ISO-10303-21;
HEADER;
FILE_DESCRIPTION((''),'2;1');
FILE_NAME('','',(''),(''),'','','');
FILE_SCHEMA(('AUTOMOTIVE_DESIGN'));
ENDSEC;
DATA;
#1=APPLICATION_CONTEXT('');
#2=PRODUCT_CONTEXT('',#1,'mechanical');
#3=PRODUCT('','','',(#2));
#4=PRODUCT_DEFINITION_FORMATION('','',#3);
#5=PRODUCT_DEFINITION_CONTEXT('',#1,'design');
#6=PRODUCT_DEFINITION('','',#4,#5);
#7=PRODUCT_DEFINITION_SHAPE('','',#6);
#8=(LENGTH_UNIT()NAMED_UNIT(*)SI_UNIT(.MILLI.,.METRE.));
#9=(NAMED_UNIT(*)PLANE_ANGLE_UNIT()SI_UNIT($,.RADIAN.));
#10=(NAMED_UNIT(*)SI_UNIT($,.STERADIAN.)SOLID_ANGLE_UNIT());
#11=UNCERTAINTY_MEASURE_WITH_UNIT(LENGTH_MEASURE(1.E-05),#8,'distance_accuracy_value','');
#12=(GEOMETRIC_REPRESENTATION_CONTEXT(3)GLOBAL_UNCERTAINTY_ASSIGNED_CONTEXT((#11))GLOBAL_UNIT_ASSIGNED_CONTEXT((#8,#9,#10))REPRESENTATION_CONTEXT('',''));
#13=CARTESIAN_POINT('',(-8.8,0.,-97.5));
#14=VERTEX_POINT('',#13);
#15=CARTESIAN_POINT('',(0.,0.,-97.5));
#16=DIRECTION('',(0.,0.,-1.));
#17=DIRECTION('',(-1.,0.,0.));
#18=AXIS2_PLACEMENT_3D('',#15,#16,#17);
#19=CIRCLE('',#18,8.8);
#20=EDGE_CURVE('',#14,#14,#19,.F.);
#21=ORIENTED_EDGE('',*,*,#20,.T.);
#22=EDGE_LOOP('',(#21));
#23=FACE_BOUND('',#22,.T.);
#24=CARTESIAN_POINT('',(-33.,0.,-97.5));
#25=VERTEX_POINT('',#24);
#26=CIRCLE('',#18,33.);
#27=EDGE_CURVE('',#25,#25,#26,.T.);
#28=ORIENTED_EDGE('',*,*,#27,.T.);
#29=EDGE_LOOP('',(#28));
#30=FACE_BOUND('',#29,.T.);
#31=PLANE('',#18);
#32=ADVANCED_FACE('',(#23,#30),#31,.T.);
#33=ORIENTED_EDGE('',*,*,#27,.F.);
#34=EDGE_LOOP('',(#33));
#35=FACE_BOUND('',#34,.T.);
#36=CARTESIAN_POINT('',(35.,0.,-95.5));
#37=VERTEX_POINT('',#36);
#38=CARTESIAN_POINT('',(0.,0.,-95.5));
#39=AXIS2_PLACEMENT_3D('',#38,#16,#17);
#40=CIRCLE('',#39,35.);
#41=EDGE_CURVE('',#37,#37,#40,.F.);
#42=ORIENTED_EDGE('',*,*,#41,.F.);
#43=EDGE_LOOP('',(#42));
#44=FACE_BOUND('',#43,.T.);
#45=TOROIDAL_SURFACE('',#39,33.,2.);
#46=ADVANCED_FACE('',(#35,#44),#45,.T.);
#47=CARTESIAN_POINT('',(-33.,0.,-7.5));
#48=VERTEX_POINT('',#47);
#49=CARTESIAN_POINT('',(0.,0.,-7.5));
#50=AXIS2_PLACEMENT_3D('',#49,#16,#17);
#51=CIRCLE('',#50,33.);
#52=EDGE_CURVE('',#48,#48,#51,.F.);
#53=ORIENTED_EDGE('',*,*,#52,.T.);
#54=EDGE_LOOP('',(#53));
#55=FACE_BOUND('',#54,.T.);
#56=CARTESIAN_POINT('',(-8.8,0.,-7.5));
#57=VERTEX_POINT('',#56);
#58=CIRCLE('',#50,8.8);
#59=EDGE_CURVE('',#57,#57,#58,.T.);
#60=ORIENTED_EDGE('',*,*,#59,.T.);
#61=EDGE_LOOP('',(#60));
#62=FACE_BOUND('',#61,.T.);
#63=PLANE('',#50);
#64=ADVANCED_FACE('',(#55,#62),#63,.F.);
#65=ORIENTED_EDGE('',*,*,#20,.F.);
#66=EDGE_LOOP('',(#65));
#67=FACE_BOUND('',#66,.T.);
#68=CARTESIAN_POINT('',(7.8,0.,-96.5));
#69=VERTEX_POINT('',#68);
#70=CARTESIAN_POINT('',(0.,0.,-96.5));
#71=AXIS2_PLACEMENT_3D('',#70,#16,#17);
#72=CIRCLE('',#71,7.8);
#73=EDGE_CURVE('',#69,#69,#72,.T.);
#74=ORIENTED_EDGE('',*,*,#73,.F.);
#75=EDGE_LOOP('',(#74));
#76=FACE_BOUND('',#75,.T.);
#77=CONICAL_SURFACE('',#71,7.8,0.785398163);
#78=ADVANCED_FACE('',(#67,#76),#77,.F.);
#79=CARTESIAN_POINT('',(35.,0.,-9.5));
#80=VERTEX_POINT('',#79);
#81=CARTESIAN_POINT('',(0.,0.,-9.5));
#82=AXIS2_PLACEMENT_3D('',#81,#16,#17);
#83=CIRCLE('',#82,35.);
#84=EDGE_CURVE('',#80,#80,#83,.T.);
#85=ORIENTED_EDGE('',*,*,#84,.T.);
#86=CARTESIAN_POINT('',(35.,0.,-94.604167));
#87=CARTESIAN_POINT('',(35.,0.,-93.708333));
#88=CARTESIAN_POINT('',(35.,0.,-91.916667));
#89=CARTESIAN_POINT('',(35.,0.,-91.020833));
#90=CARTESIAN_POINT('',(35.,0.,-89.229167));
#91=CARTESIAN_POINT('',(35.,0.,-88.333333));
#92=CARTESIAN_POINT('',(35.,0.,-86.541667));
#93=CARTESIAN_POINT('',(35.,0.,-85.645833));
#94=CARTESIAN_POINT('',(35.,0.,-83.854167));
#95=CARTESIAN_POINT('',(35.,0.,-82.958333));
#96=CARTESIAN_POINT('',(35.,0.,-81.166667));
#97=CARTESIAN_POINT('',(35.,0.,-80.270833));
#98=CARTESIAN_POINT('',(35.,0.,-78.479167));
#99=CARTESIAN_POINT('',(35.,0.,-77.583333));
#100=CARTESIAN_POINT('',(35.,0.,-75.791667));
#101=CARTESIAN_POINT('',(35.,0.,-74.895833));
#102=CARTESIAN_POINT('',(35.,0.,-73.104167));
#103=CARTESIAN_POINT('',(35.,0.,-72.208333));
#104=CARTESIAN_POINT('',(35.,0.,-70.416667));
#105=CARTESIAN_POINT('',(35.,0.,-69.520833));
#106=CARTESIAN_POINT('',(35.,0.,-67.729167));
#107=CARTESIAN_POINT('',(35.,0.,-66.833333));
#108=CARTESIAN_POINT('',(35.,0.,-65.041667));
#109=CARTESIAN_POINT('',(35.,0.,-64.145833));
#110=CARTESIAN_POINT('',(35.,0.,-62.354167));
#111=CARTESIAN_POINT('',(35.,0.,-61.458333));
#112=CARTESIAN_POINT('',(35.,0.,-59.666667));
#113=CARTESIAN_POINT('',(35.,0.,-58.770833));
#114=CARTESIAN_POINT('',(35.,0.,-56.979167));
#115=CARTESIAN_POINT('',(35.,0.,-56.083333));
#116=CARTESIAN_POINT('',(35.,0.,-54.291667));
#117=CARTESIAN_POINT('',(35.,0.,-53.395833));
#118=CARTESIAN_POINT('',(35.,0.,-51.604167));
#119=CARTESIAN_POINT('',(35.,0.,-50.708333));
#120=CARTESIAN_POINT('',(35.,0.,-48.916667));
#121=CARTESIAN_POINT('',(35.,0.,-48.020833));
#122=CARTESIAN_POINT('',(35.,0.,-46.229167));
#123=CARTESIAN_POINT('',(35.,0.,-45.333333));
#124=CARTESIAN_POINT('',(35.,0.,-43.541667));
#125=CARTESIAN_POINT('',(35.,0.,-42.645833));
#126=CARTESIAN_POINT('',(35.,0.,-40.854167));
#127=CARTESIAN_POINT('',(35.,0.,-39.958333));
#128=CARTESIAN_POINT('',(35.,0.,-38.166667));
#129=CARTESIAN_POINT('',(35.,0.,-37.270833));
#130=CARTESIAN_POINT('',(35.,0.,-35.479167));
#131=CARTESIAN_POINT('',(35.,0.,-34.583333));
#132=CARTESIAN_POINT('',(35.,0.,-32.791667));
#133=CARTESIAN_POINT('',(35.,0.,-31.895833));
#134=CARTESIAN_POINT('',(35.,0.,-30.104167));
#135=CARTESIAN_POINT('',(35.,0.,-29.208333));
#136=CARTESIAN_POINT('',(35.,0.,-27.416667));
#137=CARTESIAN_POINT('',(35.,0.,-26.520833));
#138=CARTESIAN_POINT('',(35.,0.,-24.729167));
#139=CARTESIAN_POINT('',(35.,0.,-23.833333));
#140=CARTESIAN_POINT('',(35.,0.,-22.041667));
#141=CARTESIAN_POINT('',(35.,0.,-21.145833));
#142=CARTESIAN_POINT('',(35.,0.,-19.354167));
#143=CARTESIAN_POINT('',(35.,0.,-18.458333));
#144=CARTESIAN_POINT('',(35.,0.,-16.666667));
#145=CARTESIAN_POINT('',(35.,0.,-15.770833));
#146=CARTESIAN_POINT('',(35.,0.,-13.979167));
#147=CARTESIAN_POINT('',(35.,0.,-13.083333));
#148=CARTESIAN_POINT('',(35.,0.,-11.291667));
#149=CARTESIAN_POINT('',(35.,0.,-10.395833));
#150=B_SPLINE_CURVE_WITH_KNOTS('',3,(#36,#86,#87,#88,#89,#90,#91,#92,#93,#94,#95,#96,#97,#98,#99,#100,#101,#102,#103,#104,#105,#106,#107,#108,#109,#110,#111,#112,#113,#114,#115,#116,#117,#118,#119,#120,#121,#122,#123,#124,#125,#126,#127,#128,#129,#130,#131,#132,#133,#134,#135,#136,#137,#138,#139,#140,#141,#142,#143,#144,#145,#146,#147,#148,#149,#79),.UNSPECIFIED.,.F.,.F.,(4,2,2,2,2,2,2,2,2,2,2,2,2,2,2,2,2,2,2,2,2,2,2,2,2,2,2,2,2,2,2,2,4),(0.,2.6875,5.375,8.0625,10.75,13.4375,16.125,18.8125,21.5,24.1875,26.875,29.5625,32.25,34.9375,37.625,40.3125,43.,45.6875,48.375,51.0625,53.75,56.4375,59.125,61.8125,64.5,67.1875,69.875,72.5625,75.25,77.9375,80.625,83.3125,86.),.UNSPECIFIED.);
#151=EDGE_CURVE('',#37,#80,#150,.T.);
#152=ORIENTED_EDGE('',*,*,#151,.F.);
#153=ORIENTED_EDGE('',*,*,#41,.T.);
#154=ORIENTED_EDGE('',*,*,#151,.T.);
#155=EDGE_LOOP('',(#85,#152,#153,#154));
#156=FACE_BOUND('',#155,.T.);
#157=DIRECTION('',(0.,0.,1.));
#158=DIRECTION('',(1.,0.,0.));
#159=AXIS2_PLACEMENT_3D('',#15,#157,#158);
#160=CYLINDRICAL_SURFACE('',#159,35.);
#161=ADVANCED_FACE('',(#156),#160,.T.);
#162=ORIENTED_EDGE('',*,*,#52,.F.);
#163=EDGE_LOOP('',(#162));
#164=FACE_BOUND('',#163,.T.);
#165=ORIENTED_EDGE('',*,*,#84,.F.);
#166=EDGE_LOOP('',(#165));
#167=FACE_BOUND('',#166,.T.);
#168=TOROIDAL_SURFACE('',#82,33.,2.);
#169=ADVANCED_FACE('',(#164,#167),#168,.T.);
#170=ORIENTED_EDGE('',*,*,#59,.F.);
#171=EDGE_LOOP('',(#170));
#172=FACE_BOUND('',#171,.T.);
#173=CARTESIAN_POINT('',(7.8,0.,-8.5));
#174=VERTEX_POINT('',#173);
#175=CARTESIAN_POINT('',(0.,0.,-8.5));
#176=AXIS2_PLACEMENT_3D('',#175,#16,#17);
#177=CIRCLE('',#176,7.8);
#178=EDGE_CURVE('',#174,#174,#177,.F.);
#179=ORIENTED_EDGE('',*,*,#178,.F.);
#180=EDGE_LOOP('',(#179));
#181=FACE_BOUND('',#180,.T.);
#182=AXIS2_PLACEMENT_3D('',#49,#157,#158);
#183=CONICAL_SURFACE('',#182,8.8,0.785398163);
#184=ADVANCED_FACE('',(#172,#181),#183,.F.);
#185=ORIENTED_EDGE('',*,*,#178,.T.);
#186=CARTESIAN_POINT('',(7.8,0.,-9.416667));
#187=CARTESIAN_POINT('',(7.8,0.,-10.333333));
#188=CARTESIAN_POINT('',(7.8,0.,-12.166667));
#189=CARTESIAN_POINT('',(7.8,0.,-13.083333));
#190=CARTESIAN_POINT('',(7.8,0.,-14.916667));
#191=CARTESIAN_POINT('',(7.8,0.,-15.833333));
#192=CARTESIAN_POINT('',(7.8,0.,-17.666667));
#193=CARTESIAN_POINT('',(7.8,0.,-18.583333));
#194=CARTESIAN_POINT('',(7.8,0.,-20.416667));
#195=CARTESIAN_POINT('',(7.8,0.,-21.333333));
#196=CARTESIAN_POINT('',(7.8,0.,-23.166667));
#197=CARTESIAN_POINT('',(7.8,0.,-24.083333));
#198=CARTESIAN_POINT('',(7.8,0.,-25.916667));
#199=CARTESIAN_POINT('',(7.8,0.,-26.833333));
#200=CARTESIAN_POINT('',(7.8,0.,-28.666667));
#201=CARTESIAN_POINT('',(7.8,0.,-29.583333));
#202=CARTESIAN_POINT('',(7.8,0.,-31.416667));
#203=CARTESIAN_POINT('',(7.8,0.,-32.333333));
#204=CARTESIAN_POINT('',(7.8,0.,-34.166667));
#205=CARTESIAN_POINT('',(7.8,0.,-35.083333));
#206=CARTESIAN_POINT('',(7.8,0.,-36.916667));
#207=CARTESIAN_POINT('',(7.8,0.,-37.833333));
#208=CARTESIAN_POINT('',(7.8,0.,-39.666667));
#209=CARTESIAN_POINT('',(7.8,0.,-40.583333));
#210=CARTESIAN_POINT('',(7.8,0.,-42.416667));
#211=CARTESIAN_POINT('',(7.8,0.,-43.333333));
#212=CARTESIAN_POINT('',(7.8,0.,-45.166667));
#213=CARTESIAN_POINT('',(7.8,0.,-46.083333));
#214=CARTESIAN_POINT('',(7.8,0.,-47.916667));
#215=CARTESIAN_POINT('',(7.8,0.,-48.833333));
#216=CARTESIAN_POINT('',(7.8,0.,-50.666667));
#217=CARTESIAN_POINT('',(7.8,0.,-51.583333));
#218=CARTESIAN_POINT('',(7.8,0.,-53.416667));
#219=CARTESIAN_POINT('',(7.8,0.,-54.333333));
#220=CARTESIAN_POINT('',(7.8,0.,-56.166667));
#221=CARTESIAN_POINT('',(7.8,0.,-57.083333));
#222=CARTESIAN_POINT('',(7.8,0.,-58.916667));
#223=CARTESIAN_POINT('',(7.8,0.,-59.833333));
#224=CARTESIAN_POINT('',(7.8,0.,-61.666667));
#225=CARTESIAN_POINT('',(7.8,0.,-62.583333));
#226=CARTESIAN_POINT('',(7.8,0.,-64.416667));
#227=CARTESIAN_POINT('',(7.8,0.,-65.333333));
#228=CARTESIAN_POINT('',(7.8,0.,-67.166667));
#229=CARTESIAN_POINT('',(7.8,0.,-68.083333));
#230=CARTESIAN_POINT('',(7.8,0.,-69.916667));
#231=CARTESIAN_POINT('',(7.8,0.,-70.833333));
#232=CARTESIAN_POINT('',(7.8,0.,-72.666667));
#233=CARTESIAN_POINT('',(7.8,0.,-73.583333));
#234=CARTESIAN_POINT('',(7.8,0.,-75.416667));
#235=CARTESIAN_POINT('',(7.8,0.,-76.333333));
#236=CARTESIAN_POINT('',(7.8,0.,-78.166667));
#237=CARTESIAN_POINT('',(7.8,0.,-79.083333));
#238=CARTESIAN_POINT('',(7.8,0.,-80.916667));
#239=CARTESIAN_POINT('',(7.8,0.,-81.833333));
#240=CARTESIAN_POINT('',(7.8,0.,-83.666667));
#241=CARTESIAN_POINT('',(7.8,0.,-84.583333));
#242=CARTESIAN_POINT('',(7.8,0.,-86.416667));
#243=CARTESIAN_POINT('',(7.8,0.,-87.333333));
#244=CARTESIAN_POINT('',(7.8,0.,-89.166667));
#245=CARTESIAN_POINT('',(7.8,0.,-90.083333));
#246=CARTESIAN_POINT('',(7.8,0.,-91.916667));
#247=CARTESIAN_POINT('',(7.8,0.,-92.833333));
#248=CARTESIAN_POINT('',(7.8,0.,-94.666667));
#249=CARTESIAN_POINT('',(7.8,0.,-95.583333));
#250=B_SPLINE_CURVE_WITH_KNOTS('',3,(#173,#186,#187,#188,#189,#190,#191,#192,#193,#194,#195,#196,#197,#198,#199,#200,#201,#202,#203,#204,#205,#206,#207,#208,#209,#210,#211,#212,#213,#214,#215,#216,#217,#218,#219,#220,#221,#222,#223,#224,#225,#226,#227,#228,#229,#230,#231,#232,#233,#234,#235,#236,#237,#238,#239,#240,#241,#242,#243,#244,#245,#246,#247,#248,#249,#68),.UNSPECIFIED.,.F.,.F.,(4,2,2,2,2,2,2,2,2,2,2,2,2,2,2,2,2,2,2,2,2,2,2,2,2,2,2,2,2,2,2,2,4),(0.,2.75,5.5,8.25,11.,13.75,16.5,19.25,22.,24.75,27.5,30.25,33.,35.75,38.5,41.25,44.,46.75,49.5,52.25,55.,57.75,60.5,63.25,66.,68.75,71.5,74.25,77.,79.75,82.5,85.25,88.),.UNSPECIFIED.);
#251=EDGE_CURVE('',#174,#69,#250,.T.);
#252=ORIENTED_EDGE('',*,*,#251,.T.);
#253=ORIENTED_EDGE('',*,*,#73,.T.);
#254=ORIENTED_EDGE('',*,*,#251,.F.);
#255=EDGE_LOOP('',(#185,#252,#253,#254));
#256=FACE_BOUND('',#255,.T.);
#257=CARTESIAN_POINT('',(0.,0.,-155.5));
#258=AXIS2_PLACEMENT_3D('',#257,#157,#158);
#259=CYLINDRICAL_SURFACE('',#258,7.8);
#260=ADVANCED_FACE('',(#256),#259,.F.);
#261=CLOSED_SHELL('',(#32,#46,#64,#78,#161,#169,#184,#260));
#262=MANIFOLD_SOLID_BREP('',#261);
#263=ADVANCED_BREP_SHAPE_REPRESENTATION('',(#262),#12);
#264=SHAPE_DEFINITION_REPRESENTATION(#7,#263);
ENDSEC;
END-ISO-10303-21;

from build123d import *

# Parameters (mm, degrees)
EXTRUDE_1_DEPTH             = 5.5
SKETCH_2_R                  = 20
EXTRUDE_2_DEPTH             = 2
CHAMFER_1_SIZE              = 1.5
CHAMFER_1_SIZE2             = 1.787630389
CHAMFER_1_OF_MIRROR_1_SIZE2 = 1.5
CHAMFER_1_OF_MIRROR_1_SIZE  = 1.787630389
SKETCH_3_R                  = 3.4
CUT_EXTRUDE_1_DEPTH         = 30
SKETCH_8_R                  = 35
EXTRUDE_3_DEPTH             = 90
CUT_EXTRUDE_START           = -163
SKETCH_9_R                  = 3.4
CUT_EXTRUDE_2_DEPTH         = 163
FILLET_1_R                  = 2
SKETCH_10_R                 = 7.8
CUT_EXTRUDE_3_DEPTH         = 163
CHAMFER_2_SIZE              = 1
SKETCH_11_R                 = 106.702897297
CUT_EXTRUDE_4_DEPTH         = 322
CHAMFER_3_SIZE              = 1


with BuildPart() as part:
    # 스케치1 → 보스-돌출1 (new, symmetric)
    with BuildSketch(Plane.XY):
        with BuildLine():
            Line((12.279067203, 9.260056493), (13.72951471, 11.331510209))
            ThreePointArc((13.72951471, 11.331510209), (13.819231237, 11.644886966), (13.696740348, 11.946963163))
            ThreePointArc((13.696740348, 11.946963163), (12.880233507, 12.823034344), (12.007805037, 13.643432236))
            ThreePointArc((12.007805037, 13.643432236), (11.644638313, 13.792108644), (11.267252957, 13.684521298))
            Line((11.267252957, 13.684521298), (9.202645163, 12.238867358))
            ThreePointArc((9.202645163, 12.238867358), (8.915071795, 12.148443996), (8.627783828, 12.239770064))
            ThreePointArc((8.627783828, 12.239770064), (7.516754209, 12.951796446), (6.347354905, 13.563248531))
            ThreePointArc((6.347354905, 13.563248531), (6.081851507, 13.807041329), (6.003955886, 14.158977765))
            Line((6.003955886, 14.158977765), (6.224353416, 16.678133059))
            ThreePointArc((6.224353416, 16.678133059), (6.145361829, 16.994383555), (5.888243509, 17.194743772))
            ThreePointArc((5.888243509, 17.194743772), (4.743092252, 17.54519025), (3.577348088, 17.81946143))
            ThreePointArc((3.577348088, 17.81946143), (3.188498275, 17.766635614), (2.915466643, 17.484769561))
            Line((2.915466643, 17.484769561), (1.850290815, 15.200492627))
            ThreePointArc((1.850290815, 15.200492627), (1.646456756, 14.978397074), (1.351995179, 14.913843704))
            ThreePointArc((1.351995179, 14.913843704), (0.033801995, 14.974961851), (-1.284653671, 14.919795238))
            ThreePointArc((-1.284653671, 14.919795238), (-1.636482757, 14.998174295), (-1.879910562, 15.26401238))
            Line((-1.879910562, 15.26401238), (-2.948618349, 17.555863625))
            ThreePointArc((-2.948618349, 17.555863625), (-3.175152318, 17.790248795), (-3.498003423, 17.835206672))
            ThreePointArc((-3.498003423, 17.835206672), (-4.664956742, 17.566126596), (-5.811656393, 17.220780324))
            ThreePointArc((-5.811656393, 17.220780324), (-6.121997301, 16.980606919), (-6.217516604, 16.599987941))
            Line((-6.217516604, 16.599987941), (-5.997847464, 14.089158172))
            ThreePointArc((-5.997847464, 14.089158172), (-6.06332522, 13.794900649), (-6.286059898, 13.591765005))
            ThreePointArc((-6.286059898, 13.591765005), (-7.458207642, 12.985598321), (-8.572440333, 12.27859486))
            ThreePointArc((-8.572440333, 12.27859486), (-8.916322788, 12.170558572), (-9.260056493, 12.279067203))
            Line((-9.260056493, 12.279067203), (-11.331510209, 13.72951471))
            ThreePointArc((-11.331510209, 13.72951471), (-11.644886966, 13.819231237), (-11.946963163, 13.696740348))
            ThreePointArc((-11.946963163, 13.696740348), (-12.823034344, 12.880233507), (-13.643432236, 12.007805037))
            ThreePointArc((-13.643432236, 12.007805037), (-13.792108644, 11.644638313), (-13.684521298, 11.267252957))
            Line((-13.684521298, 11.267252957), (-12.238867358, 9.202645163))
            ThreePointArc((-12.238867358, 9.202645163), (-12.148443996, 8.915071795), (-12.239770064, 8.627783828))
            ThreePointArc((-12.239770064, 8.627783828), (-12.951796446, 7.516754209), (-13.563248531, 6.347354905))
            ThreePointArc((-13.563248531, 6.347354905), (-13.807041329, 6.081851507), (-14.158977765, 6.003955886))
            Line((-14.158977765, 6.003955886), (-16.678133059, 6.224353416))
            ThreePointArc((-16.678133059, 6.224353416), (-16.994383555, 6.145361829), (-17.194743772, 5.888243509))
            ThreePointArc((-17.194743772, 5.888243509), (-17.54519025, 4.743092252), (-17.81946143, 3.577348088))
            ThreePointArc((-17.81946143, 3.577348088), (-17.766635614, 3.188498275), (-17.484769561, 2.915466643))
            Line((-17.484769561, 2.915466643), (-15.200492627, 1.850290815))
            ThreePointArc((-15.200492627, 1.850290815), (-14.978397015, 1.646456653), (-14.913843726, 1.351994942))
            ThreePointArc((-14.913843726, 1.351994942), (-14.974961851, 0.033801876), (-14.919795238, -1.284653671))
            ThreePointArc((-14.919795238, -1.284653671), (-14.998174295, -1.636482757), (-15.26401238, -1.879910562))
            Line((-15.26401238, -1.879910562), (-17.555863625, -2.948618349))
            ThreePointArc((-17.555863625, -2.948618349), (-17.790248795, -3.175152318), (-17.835206672, -3.498003423))
            ThreePointArc((-17.835206672, -3.498003423), (-17.566126596, -4.664956742), (-17.220780324, -5.811656393))
            ThreePointArc((-17.220780324, -5.811656393), (-16.980606919, -6.121997301), (-16.599987941, -6.217516604))
            Line((-16.599987941, -6.217516604), (-14.089158172, -5.997847464))
            ThreePointArc((-14.089158172, -5.997847464), (-13.794900649, -6.06332522), (-13.591765005, -6.286059898))
            ThreePointArc((-13.591765005, -6.286059898), (-12.985598321, -7.458207642), (-12.27859486, -8.572440333))
            ThreePointArc((-12.27859486, -8.572440333), (-12.170558572, -8.916322788), (-12.279067203, -9.260056493))
            Line((-12.279067203, -9.260056493), (-13.72951471, -11.331510209))
            ThreePointArc((-13.72951471, -11.331510209), (-13.819231237, -11.644886966), (-13.696740348, -11.946963163))
            ThreePointArc((-13.696740348, -11.946963163), (-12.880233507, -12.823034344), (-12.007805037, -13.643432236))
            ThreePointArc((-12.007805037, -13.643432236), (-11.644638313, -13.792108644), (-11.267252957, -13.684521298))
            Line((-11.267252957, -13.684521298), (-9.202645163, -12.238867358))
            ThreePointArc((-9.202645163, -12.238867358), (-8.915071795, -12.148443996), (-8.627783828, -12.239770064))
            ThreePointArc((-8.627783828, -12.239770064), (-7.516754209, -12.951796446), (-6.347354905, -13.563248531))
            ThreePointArc((-6.347354905, -13.563248531), (-6.081851507, -13.807041329), (-6.003955886, -14.158977765))
            Line((-6.003955886, -14.158977765), (-6.224353416, -16.678133059))
            ThreePointArc((-6.224353416, -16.678133059), (-6.145361829, -16.994383555), (-5.888243509, -17.194743772))
            ThreePointArc((-5.888243509, -17.194743772), (-4.743092252, -17.54519025), (-3.577348088, -17.81946143))
            ThreePointArc((-3.577348088, -17.81946143), (-3.188498275, -17.766635614), (-2.915466643, -17.484769561))
            Line((-2.915466643, -17.484769561), (-1.850290815, -15.200492627))
            ThreePointArc((-1.850290815, -15.200492627), (-1.646456653, -14.978397015), (-1.351994942, -14.913843726))
            ThreePointArc((-1.351994942, -14.913843726), (-0.033801876, -14.974961851), (1.284653671, -14.919795238))
            ThreePointArc((1.284653671, -14.919795238), (1.636482757, -14.998174295), (1.879910562, -15.26401238))
            Line((1.879910562, -15.26401238), (2.948618349, -17.555863625))
            ThreePointArc((2.948618349, -17.555863625), (3.175152318, -17.790248795), (3.498003423, -17.835206672))
            ThreePointArc((3.498003423, -17.835206672), (4.664956742, -17.566126596), (5.811656393, -17.220780324))
            ThreePointArc((5.811656393, -17.220780324), (6.121997301, -16.980606919), (6.217516604, -16.599987941))
            Line((6.217516604, -16.599987941), (5.997847464, -14.089158172))
            ThreePointArc((5.997847464, -14.089158172), (6.06332522, -13.794900649), (6.286059898, -13.591765005))
            ThreePointArc((6.286059898, -13.591765005), (7.458207642, -12.985598321), (8.572440333, -12.27859486))
            ThreePointArc((8.572440333, -12.27859486), (8.916322788, -12.170558572), (9.260056493, -12.279067203))
            Line((9.260056493, -12.279067203), (11.331510209, -13.72951471))
            ThreePointArc((11.331510209, -13.72951471), (11.644886966, -13.819231237), (11.946963163, -13.696740348))
            ThreePointArc((11.946963163, -13.696740348), (12.823034344, -12.880233507), (13.643432236, -12.007805037))
            ThreePointArc((13.643432236, -12.007805037), (13.792108644, -11.644638313), (13.684521298, -11.267252957))
            Line((13.684521298, -11.267252957), (12.238867358, -9.202645163))
            ThreePointArc((12.238867358, -9.202645163), (12.148443996, -8.915071914), (12.239769926, -8.627784023))
            ThreePointArc((12.239769926, -8.627784023), (12.951796386, -7.516754312), (13.563248531, -6.347354905))
            ThreePointArc((13.563248531, -6.347354905), (13.807041329, -6.081851507), (14.158977765, -6.003955886))
            Line((14.158977765, -6.003955886), (16.678133059, -6.224353416))
            ThreePointArc((16.678133059, -6.224353416), (16.994383555, -6.145361829), (17.194743772, -5.888243509))
            ThreePointArc((17.194743772, -5.888243509), (17.54519025, -4.743092252), (17.81946143, -3.577348088))
            ThreePointArc((17.81946143, -3.577348088), (17.766635614, -3.188498275), (17.484769561, -2.915466643))
            Line((17.484769561, -2.915466643), (15.200492627, -1.850290815))
            ThreePointArc((15.200492627, -1.850290815), (14.978397015, -1.646456653), (14.913843726, -1.351994942))
            ThreePointArc((14.913843726, -1.351994942), (14.974961851, -0.033801876), (14.919795238, 1.284653671))
            ThreePointArc((14.919795238, 1.284653671), (14.998174295, 1.636482757), (15.26401238, 1.879910562))
            Line((15.26401238, 1.879910562), (17.555863625, 2.948618349))
            ThreePointArc((17.555863625, 2.948618349), (17.790248795, 3.175152318), (17.835206672, 3.498003423))
            ThreePointArc((17.835206672, 3.498003423), (17.566126596, 4.664956742), (17.220780324, 5.811656393))
            ThreePointArc((17.220780324, 5.811656393), (16.980606919, 6.121997301), (16.599987941, 6.217516604))
            Line((16.599987941, 6.217516604), (14.089158172, 5.997847464))
            ThreePointArc((14.089158172, 5.997847464), (13.794900649, 6.06332522), (13.591765005, 6.286059898))
            ThreePointArc((13.591765005, 6.286059898), (12.985598253, 7.458207762), (12.278594702, 8.572440559))
            ThreePointArc((12.278594702, 8.572440559), (12.170558572, 8.916322926), (12.279067203, 9.260056493))
        make_face()
    extrude(amount=EXTRUDE_1_DEPTH, both=True)

    # 스케치2 → 보스-돌출2 (add)
    with BuildSketch(Plane.XY.offset(5.5)):
        Circle(SKETCH_2_R)
    extrude_2 = extrude(amount=EXTRUDE_2_DEPTH)

    # 모따기1
    chamfer_1_edges = [part.edges().sort_by_distance(p)[0] for p in [
        (-20, 0, 5.5),
    ]]
    chamfer_1_side = [part.faces().sort_by_distance(p)[0] for p in [
        (-20, 0, 6.5),
    ]]
    chamfer(chamfer_1_edges, length=CHAMFER_1_SIZE, length2=CHAMFER_1_SIZE2, reference=chamfer_1_side[0])

    # 대칭 복사1: 보스-돌출2 across plane
    add(extrude_2.mirror(Plane.XY))

    # 모따기1 of 대칭 복사1
    chamfer_1_of_mirror_1_edges = [part.edges().sort_by_distance(p)[0] for p in [
        (-20, 0, -5.5),
    ]]
    chamfer(chamfer_1_of_mirror_1_edges, length=CHAMFER_1_OF_MIRROR_1_SIZE, length2=CHAMFER_1_OF_MIRROR_1_SIZE2)

    # 스케치3 → 컷-돌출1 (cut)
    with BuildSketch(Plane(origin=(0, 0, -7.5), x_dir=(-1, 0, 0), z_dir=(0, 0, -1))):
        Circle(SKETCH_3_R)
    extrude(amount=-CUT_EXTRUDE_1_DEPTH, mode=Mode.SUBTRACT)

    # 스케치8 → 보스-돌출3 (add)
    with BuildSketch(Plane(origin=(0, 0, -7.5), x_dir=(-1, 0, 0), z_dir=(0, 0, -1))):
        with Locations(Location((0, 0, 0), (0, 0, 180))):
            Circle(SKETCH_8_R)
    extrude(amount=EXTRUDE_3_DEPTH)

    # 스케치9 → 컷-돌출2 (cut)
    with BuildSketch(Plane.XY.offset(7.5).offset(CUT_EXTRUDE_START)):
        with Locations(Location((0, 0, 0), (0, 0, 180))):
            Circle(SKETCH_9_R)
    extrude(amount=CUT_EXTRUDE_2_DEPTH, mode=Mode.SUBTRACT)

    # 필렛1
    fillet_1_edges = [part.edges().sort_by_distance(p)[0] for p in [
        (-35, 0, -7.5),
        (-35, 0, -97.5),
    ]]
    fillet(fillet_1_edges, radius=FILLET_1_R)

    # 스케치10 → 컷-돌출3 (cut)
    with BuildSketch(Plane.XY.offset(7.5)):
        Circle(SKETCH_10_R)
    extrude(amount=-CUT_EXTRUDE_3_DEPTH, mode=Mode.SUBTRACT)

    # 모따기2
    chamfer_2_edges = [part.edges().sort_by_distance(p)[0] for p in [
        (-7.8, 0, 7.5),
        (-7.8, 0, -97.5),
    ]]
    chamfer(chamfer_2_edges, length=CHAMFER_2_SIZE)

    # 스케치11 → 컷-돌출4 (cut)
    with BuildSketch(Plane.XY.offset(-7.5)):
        Circle(SKETCH_11_R)
    extrude(amount=CUT_EXTRUDE_4_DEPTH, mode=Mode.SUBTRACT)

    # 모따기3
    chamfer_3_edges = [part.edges().sort_by_distance(p)[0] for p in [
        (-7.8, 0, -7.5),
    ]]
    chamfer(chamfer_3_edges, length=CHAMFER_3_SIZE)


solid = part.part
